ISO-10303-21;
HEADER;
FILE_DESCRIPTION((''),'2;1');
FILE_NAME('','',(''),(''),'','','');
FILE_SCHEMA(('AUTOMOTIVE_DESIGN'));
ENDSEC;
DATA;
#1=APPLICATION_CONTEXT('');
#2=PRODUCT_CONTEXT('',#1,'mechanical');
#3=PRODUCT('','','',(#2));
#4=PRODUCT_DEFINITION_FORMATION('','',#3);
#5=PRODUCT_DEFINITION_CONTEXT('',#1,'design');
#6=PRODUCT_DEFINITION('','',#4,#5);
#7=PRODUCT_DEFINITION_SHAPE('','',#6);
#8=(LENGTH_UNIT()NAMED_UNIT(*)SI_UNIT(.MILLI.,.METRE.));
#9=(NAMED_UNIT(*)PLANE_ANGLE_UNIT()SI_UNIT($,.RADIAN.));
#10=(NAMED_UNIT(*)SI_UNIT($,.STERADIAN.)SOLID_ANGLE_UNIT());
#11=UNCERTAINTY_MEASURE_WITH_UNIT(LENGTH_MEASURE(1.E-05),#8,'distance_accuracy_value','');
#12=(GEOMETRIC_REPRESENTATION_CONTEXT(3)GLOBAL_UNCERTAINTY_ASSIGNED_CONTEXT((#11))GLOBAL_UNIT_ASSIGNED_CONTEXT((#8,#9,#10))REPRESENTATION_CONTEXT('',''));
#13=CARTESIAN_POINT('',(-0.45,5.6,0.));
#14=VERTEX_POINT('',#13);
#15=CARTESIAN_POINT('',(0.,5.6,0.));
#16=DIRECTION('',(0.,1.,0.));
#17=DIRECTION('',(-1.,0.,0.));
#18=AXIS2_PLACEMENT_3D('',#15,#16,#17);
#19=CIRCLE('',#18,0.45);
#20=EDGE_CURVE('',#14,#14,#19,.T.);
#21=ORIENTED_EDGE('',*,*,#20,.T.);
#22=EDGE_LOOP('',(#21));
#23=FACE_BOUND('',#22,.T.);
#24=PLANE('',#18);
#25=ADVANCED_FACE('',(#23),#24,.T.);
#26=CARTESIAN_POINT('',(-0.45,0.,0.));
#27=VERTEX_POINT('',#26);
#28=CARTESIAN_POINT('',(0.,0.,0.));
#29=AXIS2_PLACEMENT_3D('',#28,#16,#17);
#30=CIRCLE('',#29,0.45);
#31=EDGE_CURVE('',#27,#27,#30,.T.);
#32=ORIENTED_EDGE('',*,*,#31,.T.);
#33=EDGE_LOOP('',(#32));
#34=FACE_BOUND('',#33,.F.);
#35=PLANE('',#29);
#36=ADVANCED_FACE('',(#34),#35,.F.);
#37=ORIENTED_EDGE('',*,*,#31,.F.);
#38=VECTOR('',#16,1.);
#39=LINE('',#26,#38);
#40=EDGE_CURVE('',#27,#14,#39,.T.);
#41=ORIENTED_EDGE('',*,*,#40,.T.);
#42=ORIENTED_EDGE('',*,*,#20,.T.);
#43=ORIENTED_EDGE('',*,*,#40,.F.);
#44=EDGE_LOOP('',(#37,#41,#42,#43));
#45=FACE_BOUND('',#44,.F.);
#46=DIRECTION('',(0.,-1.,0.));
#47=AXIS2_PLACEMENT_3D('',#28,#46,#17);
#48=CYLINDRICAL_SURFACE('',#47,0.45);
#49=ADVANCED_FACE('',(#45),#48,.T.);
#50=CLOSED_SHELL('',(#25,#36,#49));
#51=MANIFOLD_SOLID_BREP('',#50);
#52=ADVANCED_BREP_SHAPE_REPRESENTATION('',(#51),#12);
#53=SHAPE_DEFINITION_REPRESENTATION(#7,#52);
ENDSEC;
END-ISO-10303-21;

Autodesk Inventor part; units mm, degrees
ref_plane "YZ Plane" through (0, 0, 0) normal (1, 0, 0) x (0, 1, 0)
ref_plane "XZ Plane" through (0, 0, 0) normal (0, 1, 0) x (-1, 0, 0)
ref_plane "XY Plane" through (0, 0, 0) normal (0, 0, 1) x (1, 0, 0)
sketch "Esboço1" plane through (0, 0, 0) normal (0, 1, 0) x (-1, 0, 0)
  circle A0 centre (0, 0) radius 0.45
  dimension "d0" = 0.9
extrude "Extrusão1" add sketch "Esboço1" along normal blind 5.6
properties part number "Eixo Menor - Engrenagem"
